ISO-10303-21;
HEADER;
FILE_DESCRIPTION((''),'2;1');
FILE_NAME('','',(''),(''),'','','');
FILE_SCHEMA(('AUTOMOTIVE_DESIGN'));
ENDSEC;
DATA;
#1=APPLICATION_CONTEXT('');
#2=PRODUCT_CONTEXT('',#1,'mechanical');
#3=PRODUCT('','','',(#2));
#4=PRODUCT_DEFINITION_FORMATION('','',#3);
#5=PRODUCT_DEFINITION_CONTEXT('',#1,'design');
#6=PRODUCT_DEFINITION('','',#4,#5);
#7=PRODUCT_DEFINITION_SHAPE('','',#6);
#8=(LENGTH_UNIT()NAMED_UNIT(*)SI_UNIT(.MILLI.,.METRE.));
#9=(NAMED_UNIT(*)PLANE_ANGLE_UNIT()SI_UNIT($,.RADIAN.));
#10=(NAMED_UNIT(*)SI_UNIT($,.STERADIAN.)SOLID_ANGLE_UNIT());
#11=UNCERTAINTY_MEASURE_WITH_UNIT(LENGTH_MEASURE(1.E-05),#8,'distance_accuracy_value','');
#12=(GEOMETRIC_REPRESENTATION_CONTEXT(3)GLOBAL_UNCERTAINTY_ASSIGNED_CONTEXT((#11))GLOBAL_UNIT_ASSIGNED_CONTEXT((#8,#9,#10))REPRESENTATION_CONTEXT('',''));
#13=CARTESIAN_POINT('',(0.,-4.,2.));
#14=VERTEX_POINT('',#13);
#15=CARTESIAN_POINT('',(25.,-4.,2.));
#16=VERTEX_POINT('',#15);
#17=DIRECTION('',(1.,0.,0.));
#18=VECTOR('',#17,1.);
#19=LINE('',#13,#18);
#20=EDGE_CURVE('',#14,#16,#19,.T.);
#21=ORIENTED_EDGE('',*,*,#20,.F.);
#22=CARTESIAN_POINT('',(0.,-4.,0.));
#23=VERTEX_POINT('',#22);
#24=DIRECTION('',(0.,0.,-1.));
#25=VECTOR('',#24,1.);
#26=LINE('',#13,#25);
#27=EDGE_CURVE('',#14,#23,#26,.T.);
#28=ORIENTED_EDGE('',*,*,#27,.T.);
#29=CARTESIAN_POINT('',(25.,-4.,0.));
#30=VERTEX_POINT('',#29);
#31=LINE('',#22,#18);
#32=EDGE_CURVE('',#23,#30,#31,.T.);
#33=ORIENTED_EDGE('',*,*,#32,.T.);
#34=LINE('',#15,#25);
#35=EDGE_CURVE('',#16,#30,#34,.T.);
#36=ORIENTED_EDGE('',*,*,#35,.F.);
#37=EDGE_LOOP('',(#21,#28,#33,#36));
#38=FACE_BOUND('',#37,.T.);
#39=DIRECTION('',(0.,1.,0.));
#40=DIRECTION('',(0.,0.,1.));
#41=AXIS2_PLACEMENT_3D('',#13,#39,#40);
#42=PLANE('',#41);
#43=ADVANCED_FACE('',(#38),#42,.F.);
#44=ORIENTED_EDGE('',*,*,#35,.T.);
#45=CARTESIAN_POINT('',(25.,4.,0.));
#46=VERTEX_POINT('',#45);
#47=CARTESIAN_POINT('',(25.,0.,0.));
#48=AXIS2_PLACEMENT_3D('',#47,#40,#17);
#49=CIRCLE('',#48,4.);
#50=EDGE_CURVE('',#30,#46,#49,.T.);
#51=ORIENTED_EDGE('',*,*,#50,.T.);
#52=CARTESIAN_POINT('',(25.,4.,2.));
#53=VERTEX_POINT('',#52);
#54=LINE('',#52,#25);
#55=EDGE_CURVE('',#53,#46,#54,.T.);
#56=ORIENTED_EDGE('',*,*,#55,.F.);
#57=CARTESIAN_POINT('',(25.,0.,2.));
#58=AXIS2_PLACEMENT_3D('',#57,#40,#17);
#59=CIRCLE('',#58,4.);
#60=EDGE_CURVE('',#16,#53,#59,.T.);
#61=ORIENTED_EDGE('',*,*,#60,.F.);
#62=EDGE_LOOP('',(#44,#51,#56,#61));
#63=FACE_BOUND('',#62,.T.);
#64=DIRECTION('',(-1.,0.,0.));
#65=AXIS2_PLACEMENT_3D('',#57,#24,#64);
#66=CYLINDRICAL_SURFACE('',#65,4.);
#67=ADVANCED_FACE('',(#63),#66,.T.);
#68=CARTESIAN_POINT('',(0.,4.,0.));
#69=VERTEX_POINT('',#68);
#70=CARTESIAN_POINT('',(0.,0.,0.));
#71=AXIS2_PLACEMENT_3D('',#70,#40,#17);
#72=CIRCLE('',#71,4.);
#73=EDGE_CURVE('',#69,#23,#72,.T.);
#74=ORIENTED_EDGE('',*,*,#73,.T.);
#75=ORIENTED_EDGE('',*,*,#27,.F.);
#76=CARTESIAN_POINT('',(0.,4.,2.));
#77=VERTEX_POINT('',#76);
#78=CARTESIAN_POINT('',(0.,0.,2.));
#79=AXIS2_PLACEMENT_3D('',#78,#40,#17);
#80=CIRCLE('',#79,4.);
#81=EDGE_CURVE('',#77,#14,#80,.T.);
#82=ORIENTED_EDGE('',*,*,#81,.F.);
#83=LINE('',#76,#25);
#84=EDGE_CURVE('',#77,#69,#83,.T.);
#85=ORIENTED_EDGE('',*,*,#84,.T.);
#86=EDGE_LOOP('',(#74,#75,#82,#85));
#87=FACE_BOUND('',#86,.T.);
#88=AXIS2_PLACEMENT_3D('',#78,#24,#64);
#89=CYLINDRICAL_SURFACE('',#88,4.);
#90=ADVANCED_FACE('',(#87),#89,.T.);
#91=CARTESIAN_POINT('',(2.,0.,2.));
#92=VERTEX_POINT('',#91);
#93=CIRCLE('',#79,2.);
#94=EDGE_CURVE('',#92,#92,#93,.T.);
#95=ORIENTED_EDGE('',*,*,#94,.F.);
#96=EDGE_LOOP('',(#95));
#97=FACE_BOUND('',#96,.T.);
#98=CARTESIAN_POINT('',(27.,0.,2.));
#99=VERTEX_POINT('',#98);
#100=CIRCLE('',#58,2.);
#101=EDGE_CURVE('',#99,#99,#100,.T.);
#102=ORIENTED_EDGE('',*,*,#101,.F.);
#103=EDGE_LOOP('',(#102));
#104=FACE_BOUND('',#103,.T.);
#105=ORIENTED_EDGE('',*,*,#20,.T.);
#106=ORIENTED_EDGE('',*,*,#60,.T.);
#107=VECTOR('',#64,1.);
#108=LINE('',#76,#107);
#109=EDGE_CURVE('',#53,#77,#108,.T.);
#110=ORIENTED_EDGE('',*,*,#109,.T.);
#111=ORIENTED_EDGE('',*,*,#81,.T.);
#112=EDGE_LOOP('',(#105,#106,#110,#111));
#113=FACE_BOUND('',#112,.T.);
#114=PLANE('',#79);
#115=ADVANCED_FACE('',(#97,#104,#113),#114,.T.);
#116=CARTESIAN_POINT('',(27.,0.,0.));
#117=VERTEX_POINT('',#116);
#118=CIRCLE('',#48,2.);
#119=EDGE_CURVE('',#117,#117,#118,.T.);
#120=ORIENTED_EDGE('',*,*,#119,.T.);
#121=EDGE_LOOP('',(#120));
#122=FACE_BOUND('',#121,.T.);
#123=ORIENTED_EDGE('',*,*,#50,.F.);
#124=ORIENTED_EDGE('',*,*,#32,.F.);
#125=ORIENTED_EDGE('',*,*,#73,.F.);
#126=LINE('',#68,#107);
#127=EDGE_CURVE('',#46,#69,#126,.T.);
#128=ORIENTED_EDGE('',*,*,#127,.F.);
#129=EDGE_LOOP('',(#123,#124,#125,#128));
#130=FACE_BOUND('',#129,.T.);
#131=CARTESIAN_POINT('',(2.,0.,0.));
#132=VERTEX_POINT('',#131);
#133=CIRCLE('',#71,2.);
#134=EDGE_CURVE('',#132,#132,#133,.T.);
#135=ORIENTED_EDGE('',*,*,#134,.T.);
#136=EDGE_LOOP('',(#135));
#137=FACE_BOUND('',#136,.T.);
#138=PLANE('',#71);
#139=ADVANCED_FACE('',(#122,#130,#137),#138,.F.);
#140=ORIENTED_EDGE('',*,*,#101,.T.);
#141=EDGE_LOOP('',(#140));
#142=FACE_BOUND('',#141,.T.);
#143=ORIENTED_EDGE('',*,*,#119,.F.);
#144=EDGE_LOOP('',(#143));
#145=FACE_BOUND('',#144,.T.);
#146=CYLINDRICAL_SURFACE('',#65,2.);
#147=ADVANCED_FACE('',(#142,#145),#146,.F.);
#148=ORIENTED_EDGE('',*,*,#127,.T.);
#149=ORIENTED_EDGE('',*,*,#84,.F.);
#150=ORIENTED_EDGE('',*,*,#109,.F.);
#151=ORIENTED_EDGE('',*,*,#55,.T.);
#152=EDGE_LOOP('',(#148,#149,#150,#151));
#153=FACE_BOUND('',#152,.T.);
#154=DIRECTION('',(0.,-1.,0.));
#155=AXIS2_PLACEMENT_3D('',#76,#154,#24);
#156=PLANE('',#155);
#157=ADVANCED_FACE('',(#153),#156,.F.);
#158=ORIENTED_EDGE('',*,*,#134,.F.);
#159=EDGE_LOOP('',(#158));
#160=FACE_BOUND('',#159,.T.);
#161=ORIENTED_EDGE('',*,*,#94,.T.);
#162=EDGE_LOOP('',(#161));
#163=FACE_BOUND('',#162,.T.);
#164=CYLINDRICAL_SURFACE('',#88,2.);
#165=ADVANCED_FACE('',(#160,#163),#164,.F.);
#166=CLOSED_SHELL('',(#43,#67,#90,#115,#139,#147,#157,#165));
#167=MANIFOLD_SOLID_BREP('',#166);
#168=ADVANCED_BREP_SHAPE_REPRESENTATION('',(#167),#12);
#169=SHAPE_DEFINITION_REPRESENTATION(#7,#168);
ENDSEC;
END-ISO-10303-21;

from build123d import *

# Parameters (mm, degrees)
SKETCH1_R           = 2
BOSS_EXTRUDE1_DEPTH = 2


with BuildPart() as part:
    # Sketch1 → Boss-Extrude1 (new body)
    with BuildSketch(Plane.XY):
        with BuildLine():
            Line((0, 4), (25, 4))
            ThreePointArc((25, 4), (29, 0), (25, -4))
            Line((25, -4), (0, -4))
            ThreePointArc((0, -4), (-4, 0), (0, 4))
        make_face()
        Circle(SKETCH1_R, mode=Mode.SUBTRACT)
        with Locations((25, 0)):
            Circle(SKETCH1_R, mode=Mode.SUBTRACT)
    extrude(amount=BOSS_EXTRUDE1_DEPTH)


solid = part.part
